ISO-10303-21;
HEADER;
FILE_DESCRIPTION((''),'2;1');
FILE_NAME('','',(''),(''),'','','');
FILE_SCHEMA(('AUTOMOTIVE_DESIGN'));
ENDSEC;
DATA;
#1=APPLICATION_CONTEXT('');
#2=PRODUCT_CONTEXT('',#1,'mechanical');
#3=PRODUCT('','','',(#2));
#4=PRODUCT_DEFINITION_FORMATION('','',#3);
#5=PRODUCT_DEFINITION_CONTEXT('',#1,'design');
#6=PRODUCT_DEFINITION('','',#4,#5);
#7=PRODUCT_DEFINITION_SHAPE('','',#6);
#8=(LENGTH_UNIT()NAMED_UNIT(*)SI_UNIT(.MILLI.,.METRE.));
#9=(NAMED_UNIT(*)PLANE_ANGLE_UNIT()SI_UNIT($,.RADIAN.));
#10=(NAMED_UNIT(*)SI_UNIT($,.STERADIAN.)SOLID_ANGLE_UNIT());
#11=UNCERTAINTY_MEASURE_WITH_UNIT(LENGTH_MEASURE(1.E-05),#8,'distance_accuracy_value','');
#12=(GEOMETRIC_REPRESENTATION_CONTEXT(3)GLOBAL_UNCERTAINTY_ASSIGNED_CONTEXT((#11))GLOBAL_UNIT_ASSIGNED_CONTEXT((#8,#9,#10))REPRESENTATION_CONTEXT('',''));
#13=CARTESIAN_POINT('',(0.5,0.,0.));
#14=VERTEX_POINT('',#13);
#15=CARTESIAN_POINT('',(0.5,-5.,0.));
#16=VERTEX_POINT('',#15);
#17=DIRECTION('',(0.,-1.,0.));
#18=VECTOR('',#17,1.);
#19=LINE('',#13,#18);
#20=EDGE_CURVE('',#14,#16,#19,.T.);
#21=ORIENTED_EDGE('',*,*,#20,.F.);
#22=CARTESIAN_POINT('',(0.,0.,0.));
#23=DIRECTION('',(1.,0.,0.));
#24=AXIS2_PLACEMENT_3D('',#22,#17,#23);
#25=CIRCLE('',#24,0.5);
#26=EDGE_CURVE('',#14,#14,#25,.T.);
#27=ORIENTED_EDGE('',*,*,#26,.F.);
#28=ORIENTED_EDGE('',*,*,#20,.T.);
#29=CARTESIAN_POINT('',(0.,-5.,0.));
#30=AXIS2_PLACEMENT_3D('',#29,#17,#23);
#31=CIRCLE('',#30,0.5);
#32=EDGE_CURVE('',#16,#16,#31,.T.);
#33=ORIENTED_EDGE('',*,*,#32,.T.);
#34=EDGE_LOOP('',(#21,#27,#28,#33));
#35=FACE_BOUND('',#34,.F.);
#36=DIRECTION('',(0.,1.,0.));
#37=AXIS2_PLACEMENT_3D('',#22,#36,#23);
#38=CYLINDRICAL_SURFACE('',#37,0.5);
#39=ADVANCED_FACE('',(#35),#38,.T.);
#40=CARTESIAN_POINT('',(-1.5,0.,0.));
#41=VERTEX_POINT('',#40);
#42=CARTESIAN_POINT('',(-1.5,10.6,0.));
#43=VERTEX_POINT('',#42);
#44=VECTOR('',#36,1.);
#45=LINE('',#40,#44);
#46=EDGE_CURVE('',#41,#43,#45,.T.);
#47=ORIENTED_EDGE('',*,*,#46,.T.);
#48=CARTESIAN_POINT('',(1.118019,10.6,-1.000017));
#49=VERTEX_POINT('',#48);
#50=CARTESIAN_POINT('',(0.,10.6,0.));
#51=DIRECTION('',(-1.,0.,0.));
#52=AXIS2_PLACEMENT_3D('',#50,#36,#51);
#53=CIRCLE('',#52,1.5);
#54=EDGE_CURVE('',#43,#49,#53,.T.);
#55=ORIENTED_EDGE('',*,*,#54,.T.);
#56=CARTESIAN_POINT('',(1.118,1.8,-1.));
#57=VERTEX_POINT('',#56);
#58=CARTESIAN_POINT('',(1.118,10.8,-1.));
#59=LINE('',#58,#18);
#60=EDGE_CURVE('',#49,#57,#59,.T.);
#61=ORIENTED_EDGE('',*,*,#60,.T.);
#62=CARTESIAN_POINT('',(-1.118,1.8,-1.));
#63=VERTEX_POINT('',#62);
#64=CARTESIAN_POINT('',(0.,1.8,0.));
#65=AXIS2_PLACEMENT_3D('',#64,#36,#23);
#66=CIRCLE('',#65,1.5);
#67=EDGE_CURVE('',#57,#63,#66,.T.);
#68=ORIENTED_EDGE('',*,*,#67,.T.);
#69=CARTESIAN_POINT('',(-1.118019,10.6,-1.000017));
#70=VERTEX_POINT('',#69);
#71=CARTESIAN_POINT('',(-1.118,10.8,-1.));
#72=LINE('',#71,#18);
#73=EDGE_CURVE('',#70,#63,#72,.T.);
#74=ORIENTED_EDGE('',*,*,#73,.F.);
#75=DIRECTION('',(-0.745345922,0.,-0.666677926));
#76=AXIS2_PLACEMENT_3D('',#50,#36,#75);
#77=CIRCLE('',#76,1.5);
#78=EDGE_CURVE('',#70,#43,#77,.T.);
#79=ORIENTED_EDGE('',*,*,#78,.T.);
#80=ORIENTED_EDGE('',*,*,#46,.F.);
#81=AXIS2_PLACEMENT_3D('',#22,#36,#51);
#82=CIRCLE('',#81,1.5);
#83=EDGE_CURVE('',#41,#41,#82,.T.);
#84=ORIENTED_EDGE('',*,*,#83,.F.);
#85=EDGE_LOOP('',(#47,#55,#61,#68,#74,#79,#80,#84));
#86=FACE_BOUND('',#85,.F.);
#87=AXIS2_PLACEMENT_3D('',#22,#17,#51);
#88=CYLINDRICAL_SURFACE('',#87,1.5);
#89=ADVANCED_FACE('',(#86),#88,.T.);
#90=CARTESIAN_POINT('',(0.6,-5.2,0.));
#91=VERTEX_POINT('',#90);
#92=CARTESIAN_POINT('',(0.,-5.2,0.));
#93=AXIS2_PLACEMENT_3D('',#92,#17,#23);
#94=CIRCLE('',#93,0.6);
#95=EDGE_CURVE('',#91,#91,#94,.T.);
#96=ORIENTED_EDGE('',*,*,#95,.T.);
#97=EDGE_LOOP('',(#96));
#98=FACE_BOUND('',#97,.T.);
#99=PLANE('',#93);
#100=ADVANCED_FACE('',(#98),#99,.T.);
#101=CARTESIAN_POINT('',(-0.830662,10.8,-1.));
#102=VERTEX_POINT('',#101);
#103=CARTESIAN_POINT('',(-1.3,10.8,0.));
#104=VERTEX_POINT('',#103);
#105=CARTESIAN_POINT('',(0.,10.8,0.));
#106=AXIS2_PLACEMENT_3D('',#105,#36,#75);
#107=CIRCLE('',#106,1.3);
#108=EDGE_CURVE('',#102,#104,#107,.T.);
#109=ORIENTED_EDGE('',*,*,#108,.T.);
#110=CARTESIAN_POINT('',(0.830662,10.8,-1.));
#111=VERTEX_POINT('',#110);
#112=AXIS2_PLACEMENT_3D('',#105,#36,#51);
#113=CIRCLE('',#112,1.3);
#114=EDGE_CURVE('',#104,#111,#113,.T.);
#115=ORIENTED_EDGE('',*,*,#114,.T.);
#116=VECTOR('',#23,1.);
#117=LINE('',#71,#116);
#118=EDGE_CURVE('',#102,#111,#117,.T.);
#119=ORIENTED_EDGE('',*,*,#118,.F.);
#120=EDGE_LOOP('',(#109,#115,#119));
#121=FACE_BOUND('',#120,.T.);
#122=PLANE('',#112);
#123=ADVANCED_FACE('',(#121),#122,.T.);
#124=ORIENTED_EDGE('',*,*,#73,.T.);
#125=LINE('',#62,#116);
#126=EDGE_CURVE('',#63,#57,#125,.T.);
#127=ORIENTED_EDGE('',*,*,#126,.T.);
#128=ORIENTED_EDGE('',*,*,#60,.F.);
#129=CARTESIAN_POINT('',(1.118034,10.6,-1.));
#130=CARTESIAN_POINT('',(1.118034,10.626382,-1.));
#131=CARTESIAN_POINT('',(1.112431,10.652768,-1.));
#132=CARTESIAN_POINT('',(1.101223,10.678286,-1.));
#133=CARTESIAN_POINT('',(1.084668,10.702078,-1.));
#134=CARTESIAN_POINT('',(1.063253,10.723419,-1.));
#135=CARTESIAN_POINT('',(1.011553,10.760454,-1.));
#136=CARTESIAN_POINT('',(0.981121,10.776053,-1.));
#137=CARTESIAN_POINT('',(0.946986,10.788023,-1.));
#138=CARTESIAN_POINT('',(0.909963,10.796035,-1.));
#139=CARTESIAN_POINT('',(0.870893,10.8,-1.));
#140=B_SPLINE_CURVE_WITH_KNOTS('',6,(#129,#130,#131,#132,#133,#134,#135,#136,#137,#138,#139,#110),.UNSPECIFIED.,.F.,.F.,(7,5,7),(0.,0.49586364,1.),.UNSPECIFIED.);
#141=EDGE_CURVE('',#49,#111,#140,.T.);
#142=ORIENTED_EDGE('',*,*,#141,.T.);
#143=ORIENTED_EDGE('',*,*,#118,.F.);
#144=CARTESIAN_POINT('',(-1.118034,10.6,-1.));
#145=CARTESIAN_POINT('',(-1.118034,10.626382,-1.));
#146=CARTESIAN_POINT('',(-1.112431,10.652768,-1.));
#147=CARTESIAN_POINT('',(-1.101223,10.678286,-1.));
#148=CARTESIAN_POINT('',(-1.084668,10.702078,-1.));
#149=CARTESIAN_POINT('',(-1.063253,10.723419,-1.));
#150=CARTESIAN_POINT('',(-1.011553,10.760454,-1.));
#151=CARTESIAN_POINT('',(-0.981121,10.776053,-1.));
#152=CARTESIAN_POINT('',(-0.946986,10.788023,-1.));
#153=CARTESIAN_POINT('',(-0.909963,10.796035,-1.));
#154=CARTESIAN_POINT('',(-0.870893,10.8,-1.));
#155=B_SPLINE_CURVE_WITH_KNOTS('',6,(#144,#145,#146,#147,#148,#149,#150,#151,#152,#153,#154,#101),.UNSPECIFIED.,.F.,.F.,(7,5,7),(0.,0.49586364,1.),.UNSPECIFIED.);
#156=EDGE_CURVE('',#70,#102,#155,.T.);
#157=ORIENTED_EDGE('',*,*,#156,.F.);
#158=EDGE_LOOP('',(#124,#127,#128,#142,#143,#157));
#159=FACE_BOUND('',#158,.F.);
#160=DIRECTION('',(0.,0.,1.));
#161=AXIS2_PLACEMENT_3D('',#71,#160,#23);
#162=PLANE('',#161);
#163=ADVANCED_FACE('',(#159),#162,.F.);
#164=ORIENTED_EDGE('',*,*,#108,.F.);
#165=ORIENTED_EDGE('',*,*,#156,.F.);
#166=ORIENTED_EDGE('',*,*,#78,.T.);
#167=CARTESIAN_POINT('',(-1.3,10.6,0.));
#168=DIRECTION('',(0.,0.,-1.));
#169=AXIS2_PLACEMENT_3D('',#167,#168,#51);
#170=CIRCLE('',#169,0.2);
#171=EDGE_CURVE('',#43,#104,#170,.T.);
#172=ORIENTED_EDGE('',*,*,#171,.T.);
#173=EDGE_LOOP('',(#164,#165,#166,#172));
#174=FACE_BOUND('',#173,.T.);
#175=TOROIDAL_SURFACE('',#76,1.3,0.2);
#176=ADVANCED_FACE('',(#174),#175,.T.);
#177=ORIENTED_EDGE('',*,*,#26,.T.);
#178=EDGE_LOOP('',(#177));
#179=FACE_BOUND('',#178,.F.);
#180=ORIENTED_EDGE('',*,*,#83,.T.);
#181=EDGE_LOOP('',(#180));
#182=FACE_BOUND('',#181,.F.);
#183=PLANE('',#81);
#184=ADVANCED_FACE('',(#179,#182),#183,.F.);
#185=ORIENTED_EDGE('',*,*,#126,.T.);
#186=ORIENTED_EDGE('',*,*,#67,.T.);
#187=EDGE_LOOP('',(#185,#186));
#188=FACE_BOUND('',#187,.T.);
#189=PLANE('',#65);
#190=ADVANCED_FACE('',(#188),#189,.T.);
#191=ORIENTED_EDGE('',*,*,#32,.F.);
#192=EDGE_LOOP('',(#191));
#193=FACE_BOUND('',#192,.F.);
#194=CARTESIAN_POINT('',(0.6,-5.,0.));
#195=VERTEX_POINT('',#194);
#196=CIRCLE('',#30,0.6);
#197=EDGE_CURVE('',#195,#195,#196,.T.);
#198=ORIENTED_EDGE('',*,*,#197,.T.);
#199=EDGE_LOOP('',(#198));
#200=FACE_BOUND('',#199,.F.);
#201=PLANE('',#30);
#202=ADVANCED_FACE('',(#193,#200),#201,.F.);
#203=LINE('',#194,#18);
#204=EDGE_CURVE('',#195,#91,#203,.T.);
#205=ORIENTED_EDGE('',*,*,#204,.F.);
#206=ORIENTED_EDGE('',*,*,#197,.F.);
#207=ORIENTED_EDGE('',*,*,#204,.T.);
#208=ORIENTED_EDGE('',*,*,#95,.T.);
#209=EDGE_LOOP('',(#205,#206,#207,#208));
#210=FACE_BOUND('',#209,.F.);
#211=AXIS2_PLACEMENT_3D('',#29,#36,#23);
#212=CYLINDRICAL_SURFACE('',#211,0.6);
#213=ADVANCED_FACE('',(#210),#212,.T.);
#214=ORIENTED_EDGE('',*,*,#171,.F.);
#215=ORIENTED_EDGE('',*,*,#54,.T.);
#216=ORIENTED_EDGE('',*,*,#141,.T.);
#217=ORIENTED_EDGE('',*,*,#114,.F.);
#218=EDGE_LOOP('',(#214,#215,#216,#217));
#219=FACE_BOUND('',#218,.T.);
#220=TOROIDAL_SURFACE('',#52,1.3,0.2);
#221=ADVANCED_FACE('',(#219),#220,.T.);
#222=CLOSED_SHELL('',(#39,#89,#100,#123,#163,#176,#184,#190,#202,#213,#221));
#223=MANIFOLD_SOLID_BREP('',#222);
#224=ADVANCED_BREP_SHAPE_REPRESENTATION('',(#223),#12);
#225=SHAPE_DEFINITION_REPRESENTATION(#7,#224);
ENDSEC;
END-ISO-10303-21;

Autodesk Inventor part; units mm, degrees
ref_plane "YZ Plane" through (0, 0, 0) normal (1, 0, 0) x (0, 1, 0)
ref_plane "XZ Plane" through (0, 0, 0) normal (0, 1, 0) x (-1, 0, 0)
ref_plane "XY Plane" through (0, 0, 0) normal (0, 0, 1) x (1, 0, 0)
sketch "Esboço1" plane through (0, 0, 0) normal (0, 1, 0) x (-1, 0, 0)
  circle A0 centre (0, 0) radius 1.5
  dimension "d0" = 3
extrude "Extrusão1" add sketch "Esboço1" along normal blind 10.8
sketch "Esboço2" plane through (0, 10.8, 0) normal (0, 1, 0) x (1, 0, 0)
  circle A0 centre (0, 0) radius 1.5 projected
  arc A1 (1.118, 1) -> (-1.118, 1) centre (0, 0) ccw
  line L0 (-1.118, 1) -> (1.118, 1)
  dimension "d3" = 0.5
extrude "Extrusão2" cut sketch "Esboço2" against normal blind 9 contours L0 A0 picked at (-0.0599, 1.1631)
sketch "Esboço3" plane through (0, 0, 0) normal (0, -1, 0) x (1, 0, 0)
  circle A0 centre (0, 0) radius 0.5
  dimension "d6" = 1
extrude "Extrusão3" add sketch "Esboço3" along normal blind 5
sketch "Esboço4" plane through (0, -5, 0) normal (0, -1, 0) x (1, 0, 0)
  circle A0 centre (0, 0) radius 0.6
  dimension "d9" = 1.2
extrude "Extrusão4" add sketch "Esboço4" along normal blind 0.2
fillet "Arredondamento1" radius 0.2 2 edges at (-1.4013, 10.8, -0.5352) (0.5352, 10.8, 1.4013)
properties part number "Eixo - Encaixe D"
